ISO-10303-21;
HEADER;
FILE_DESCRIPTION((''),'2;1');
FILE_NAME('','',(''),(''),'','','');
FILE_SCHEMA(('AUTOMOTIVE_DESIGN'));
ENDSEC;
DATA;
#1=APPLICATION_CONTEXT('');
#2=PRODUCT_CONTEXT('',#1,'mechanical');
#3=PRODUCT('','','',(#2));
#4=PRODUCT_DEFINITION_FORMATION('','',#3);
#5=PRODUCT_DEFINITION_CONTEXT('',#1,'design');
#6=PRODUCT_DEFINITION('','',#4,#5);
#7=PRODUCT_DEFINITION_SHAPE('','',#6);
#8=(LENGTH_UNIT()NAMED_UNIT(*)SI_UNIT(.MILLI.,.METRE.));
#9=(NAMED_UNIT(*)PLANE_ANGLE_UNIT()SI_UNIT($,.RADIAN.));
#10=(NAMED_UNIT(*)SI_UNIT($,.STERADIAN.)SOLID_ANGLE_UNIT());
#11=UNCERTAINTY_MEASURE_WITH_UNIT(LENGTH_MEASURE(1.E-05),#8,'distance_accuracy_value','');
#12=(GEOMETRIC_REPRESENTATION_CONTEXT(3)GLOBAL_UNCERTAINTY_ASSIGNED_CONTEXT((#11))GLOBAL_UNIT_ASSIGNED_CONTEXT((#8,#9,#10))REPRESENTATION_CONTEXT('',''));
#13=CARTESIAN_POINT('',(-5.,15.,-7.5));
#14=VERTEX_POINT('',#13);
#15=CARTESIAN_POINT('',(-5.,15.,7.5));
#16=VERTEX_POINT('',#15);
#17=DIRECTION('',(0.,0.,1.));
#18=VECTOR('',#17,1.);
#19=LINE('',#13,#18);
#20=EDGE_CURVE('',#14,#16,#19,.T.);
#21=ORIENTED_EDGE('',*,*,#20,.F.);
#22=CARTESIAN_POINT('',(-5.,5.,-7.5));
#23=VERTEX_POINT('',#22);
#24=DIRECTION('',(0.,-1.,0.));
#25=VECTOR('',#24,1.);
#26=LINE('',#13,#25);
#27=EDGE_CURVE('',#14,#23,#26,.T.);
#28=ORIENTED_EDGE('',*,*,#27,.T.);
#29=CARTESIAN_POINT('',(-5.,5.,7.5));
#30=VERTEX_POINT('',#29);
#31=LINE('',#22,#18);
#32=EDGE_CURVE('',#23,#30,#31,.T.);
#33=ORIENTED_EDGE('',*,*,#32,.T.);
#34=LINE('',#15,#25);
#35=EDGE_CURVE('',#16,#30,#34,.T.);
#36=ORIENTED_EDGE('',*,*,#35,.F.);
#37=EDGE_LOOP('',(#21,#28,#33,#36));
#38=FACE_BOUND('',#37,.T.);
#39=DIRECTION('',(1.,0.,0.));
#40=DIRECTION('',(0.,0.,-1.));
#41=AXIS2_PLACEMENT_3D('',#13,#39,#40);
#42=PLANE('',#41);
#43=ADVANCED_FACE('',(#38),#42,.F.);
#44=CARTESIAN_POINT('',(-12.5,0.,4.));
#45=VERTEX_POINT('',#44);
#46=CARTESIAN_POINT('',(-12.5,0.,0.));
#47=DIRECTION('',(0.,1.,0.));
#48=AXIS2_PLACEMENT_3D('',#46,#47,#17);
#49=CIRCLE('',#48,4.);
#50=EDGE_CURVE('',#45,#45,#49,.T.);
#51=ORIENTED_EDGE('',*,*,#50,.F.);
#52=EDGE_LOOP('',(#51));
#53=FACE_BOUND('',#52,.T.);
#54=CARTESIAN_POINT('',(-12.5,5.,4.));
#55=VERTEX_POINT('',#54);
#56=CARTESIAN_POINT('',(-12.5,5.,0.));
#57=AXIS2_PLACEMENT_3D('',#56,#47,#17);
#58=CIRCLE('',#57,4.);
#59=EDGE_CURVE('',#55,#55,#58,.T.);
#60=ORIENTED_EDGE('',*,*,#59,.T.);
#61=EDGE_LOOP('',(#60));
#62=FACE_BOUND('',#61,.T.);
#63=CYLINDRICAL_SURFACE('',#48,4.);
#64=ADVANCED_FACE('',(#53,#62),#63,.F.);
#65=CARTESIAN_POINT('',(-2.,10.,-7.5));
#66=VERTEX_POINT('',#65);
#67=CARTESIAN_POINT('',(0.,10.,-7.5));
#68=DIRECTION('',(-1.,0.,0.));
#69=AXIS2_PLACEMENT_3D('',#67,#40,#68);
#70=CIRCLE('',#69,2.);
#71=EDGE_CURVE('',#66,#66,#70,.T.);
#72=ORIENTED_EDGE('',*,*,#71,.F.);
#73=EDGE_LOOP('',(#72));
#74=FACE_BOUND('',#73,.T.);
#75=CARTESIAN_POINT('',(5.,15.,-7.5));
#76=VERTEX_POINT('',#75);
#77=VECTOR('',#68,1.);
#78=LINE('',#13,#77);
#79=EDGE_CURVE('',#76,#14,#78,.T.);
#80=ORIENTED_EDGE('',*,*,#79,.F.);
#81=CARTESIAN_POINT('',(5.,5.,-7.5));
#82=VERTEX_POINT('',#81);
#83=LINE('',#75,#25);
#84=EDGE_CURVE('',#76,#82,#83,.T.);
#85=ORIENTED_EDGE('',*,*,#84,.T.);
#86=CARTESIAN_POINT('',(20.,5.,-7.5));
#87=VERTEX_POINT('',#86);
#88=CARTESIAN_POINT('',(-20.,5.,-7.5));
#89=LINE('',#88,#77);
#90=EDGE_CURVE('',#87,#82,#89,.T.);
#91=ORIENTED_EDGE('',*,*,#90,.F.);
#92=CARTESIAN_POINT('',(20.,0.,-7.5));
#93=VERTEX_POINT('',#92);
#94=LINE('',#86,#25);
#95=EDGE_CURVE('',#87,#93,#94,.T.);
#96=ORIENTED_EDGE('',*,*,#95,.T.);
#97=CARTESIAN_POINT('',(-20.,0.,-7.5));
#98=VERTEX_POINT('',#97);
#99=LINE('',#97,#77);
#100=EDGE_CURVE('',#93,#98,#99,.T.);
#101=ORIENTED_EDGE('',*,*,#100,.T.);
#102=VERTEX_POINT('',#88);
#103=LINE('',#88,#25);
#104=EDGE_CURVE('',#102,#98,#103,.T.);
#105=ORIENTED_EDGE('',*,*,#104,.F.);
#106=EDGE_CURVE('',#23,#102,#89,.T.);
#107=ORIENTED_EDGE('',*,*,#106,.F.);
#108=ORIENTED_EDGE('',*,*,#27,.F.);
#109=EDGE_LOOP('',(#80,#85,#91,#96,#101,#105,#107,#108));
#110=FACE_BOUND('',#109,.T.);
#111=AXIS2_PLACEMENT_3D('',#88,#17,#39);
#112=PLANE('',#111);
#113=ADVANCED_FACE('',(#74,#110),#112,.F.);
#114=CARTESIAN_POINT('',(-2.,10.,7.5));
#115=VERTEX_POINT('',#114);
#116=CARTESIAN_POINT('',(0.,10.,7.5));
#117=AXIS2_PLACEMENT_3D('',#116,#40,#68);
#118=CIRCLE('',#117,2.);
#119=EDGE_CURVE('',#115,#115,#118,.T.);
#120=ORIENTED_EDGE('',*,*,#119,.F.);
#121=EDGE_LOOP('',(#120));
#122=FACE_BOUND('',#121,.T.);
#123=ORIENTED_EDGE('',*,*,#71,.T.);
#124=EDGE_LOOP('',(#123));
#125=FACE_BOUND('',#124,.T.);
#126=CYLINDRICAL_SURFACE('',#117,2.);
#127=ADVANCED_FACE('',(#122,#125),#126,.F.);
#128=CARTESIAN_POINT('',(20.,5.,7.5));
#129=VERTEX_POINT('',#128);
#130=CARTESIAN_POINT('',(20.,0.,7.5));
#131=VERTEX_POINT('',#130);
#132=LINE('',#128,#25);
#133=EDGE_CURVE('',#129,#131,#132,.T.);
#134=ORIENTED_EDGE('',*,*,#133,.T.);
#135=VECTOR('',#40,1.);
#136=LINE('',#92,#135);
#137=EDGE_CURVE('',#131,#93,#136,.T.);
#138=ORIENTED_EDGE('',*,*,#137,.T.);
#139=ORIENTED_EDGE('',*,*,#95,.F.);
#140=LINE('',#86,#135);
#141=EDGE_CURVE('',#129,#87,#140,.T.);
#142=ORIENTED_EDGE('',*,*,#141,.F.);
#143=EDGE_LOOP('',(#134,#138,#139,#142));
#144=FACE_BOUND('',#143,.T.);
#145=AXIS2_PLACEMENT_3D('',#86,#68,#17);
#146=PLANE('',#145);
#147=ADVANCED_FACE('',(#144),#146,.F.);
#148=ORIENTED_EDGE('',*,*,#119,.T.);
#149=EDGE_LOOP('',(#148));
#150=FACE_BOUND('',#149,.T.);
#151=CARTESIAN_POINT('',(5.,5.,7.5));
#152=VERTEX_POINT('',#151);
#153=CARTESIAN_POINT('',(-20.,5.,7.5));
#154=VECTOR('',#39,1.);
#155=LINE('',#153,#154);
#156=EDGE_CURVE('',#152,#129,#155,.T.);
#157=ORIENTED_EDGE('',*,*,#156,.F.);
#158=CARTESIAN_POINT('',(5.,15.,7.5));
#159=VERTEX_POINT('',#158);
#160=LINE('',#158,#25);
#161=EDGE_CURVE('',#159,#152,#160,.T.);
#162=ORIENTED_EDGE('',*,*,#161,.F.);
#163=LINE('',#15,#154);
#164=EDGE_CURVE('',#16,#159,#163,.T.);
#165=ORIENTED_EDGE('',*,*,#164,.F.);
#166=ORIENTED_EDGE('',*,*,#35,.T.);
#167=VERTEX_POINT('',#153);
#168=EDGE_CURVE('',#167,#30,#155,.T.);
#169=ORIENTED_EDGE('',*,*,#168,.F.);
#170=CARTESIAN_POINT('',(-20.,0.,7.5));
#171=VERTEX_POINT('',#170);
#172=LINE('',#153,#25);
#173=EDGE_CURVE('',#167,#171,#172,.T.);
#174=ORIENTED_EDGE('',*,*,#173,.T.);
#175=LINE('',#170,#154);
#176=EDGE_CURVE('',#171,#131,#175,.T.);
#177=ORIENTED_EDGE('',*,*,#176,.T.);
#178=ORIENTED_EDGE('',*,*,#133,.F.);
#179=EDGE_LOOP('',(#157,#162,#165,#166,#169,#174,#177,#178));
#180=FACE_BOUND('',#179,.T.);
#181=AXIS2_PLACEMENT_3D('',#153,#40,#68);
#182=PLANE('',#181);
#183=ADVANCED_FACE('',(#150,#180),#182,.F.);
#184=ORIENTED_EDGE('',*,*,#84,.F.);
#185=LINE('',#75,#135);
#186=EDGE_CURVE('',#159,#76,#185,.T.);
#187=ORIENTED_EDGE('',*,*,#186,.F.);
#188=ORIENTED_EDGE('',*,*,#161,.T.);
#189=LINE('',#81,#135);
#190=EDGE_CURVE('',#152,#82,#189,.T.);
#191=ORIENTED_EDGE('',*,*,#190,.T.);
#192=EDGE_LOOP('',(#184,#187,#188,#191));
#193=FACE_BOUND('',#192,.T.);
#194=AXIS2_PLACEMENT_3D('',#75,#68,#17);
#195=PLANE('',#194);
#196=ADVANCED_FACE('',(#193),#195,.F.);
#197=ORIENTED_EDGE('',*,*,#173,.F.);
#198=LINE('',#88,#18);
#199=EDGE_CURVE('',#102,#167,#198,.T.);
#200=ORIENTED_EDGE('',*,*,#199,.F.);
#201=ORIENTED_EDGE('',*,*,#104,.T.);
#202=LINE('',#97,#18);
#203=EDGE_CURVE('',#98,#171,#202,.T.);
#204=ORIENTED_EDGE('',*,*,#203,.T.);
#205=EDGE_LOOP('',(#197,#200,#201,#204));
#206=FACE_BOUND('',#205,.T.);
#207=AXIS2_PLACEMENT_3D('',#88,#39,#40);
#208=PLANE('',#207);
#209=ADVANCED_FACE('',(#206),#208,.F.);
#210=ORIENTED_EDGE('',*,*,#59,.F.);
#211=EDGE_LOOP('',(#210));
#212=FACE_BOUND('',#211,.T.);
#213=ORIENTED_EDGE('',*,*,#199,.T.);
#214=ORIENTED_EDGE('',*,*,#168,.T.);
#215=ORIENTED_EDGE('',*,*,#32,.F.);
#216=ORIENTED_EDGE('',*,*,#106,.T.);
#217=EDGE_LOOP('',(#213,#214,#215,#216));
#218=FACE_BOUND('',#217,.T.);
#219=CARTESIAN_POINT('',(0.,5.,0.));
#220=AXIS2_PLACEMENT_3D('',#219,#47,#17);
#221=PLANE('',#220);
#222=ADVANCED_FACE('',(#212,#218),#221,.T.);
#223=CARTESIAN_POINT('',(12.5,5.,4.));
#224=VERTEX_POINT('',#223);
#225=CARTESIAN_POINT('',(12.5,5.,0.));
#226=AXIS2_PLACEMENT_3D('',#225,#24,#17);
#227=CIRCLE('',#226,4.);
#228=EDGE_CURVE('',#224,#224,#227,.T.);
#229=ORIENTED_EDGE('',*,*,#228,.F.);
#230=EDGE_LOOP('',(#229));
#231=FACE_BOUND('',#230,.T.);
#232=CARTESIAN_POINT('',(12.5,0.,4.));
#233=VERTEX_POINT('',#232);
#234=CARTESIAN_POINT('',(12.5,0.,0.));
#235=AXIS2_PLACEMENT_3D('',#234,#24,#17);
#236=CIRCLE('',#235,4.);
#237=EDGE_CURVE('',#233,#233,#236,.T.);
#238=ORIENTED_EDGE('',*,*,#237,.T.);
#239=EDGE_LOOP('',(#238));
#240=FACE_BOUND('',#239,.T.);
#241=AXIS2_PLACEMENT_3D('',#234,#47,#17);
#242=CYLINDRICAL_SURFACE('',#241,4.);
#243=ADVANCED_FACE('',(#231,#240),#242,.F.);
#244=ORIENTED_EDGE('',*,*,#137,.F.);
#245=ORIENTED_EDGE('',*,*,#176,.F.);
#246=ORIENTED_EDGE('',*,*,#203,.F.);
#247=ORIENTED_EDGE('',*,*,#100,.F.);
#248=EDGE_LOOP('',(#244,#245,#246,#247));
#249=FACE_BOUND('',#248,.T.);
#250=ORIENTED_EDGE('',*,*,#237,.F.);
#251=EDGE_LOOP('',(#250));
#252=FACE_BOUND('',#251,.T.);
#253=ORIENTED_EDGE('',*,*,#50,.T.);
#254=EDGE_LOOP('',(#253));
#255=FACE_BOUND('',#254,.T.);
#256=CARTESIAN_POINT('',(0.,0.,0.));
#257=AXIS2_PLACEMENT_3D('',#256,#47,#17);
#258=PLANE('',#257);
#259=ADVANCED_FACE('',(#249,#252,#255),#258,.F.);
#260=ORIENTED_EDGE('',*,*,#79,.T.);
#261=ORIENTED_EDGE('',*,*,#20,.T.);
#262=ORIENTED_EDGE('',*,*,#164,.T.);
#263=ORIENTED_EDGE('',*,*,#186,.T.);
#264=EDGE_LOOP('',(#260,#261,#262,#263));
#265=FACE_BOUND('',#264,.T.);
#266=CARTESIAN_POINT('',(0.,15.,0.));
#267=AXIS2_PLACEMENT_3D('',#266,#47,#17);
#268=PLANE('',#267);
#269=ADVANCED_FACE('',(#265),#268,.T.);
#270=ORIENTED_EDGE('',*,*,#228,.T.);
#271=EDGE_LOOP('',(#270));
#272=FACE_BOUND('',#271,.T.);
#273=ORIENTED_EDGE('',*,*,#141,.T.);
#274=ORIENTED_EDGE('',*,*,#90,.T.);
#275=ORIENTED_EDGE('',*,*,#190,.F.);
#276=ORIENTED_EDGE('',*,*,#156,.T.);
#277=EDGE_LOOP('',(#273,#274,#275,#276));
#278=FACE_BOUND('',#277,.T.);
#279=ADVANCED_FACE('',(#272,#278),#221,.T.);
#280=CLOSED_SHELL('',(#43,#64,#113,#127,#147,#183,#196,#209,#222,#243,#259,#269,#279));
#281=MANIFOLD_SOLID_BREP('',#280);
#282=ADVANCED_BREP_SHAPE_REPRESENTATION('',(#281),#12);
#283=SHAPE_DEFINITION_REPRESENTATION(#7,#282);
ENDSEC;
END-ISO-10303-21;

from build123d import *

# Parameters (mm, degrees)
SKETCH_1_W          = 40
SKETCH_1_H          = 15
EXTRUDE_3_DEPTH     = 5
SKETCH_2_W          = 10
SKETCH_2_H          = 15
EXTRUDE_4_DEPTH     = 10
SKETCH_4_R          = 2
CUT_EXTRUDE_1_DEPTH = 30.154759474
SKETCH_8_R          = 4
CUT_EXTRUDE_3_DEPTH = 24.58495283


with BuildPart() as part:
    # 草图1 → 凸台-拉伸3 (new body)
    with BuildSketch(Plane(origin=(0, 0, 0), x_dir=(1, 0, 0), z_dir=(0, 1, 0))):
        Rectangle(SKETCH_1_W, SKETCH_1_H)
    extrude(amount=EXTRUDE_3_DEPTH)

    # 草图2 → 凸台-拉伸4 (add)
    with BuildSketch(Plane(origin=(0, 5, 0), x_dir=(1, 0, 0), z_dir=(0, 1, 0))):
        Rectangle(SKETCH_2_W, SKETCH_2_H)
    extrude(amount=EXTRUDE_4_DEPTH)

    # 草图4 → 切除-拉伸1 (cut, through all)
    with BuildSketch(Plane(origin=(0, 0, -7.5), x_dir=(-1, 0, 0), z_dir=(0, 0, -1))):
        with Locations((0, 10)):
            Circle(SKETCH_4_R)
    extrude(amount=-CUT_EXTRUDE_1_DEPTH, mode=Mode.SUBTRACT)

    # 草图8 → 切除-拉伸3 (cut, through all)
    with BuildSketch(Plane(origin=(0, 5, 0), x_dir=(1, 0, 0), z_dir=(0, 1, 0))):
        with Locations(Location((-12.5, 0, 0), (0, 0, 270))):
            Circle(SKETCH_8_R)
    cut_extrude_3 = extrude(amount=-CUT_EXTRUDE_3_DEPTH, mode=Mode.SUBTRACT)

    # 镜向1: 切除-拉伸3 across plane
    add(cut_extrude_3.mirror(Plane(origin=(0, 0, 0), x_dir=(0, 0, 1), z_dir=(1, 0, 0))), mode=Mode.SUBTRACT)


solid = part.part
